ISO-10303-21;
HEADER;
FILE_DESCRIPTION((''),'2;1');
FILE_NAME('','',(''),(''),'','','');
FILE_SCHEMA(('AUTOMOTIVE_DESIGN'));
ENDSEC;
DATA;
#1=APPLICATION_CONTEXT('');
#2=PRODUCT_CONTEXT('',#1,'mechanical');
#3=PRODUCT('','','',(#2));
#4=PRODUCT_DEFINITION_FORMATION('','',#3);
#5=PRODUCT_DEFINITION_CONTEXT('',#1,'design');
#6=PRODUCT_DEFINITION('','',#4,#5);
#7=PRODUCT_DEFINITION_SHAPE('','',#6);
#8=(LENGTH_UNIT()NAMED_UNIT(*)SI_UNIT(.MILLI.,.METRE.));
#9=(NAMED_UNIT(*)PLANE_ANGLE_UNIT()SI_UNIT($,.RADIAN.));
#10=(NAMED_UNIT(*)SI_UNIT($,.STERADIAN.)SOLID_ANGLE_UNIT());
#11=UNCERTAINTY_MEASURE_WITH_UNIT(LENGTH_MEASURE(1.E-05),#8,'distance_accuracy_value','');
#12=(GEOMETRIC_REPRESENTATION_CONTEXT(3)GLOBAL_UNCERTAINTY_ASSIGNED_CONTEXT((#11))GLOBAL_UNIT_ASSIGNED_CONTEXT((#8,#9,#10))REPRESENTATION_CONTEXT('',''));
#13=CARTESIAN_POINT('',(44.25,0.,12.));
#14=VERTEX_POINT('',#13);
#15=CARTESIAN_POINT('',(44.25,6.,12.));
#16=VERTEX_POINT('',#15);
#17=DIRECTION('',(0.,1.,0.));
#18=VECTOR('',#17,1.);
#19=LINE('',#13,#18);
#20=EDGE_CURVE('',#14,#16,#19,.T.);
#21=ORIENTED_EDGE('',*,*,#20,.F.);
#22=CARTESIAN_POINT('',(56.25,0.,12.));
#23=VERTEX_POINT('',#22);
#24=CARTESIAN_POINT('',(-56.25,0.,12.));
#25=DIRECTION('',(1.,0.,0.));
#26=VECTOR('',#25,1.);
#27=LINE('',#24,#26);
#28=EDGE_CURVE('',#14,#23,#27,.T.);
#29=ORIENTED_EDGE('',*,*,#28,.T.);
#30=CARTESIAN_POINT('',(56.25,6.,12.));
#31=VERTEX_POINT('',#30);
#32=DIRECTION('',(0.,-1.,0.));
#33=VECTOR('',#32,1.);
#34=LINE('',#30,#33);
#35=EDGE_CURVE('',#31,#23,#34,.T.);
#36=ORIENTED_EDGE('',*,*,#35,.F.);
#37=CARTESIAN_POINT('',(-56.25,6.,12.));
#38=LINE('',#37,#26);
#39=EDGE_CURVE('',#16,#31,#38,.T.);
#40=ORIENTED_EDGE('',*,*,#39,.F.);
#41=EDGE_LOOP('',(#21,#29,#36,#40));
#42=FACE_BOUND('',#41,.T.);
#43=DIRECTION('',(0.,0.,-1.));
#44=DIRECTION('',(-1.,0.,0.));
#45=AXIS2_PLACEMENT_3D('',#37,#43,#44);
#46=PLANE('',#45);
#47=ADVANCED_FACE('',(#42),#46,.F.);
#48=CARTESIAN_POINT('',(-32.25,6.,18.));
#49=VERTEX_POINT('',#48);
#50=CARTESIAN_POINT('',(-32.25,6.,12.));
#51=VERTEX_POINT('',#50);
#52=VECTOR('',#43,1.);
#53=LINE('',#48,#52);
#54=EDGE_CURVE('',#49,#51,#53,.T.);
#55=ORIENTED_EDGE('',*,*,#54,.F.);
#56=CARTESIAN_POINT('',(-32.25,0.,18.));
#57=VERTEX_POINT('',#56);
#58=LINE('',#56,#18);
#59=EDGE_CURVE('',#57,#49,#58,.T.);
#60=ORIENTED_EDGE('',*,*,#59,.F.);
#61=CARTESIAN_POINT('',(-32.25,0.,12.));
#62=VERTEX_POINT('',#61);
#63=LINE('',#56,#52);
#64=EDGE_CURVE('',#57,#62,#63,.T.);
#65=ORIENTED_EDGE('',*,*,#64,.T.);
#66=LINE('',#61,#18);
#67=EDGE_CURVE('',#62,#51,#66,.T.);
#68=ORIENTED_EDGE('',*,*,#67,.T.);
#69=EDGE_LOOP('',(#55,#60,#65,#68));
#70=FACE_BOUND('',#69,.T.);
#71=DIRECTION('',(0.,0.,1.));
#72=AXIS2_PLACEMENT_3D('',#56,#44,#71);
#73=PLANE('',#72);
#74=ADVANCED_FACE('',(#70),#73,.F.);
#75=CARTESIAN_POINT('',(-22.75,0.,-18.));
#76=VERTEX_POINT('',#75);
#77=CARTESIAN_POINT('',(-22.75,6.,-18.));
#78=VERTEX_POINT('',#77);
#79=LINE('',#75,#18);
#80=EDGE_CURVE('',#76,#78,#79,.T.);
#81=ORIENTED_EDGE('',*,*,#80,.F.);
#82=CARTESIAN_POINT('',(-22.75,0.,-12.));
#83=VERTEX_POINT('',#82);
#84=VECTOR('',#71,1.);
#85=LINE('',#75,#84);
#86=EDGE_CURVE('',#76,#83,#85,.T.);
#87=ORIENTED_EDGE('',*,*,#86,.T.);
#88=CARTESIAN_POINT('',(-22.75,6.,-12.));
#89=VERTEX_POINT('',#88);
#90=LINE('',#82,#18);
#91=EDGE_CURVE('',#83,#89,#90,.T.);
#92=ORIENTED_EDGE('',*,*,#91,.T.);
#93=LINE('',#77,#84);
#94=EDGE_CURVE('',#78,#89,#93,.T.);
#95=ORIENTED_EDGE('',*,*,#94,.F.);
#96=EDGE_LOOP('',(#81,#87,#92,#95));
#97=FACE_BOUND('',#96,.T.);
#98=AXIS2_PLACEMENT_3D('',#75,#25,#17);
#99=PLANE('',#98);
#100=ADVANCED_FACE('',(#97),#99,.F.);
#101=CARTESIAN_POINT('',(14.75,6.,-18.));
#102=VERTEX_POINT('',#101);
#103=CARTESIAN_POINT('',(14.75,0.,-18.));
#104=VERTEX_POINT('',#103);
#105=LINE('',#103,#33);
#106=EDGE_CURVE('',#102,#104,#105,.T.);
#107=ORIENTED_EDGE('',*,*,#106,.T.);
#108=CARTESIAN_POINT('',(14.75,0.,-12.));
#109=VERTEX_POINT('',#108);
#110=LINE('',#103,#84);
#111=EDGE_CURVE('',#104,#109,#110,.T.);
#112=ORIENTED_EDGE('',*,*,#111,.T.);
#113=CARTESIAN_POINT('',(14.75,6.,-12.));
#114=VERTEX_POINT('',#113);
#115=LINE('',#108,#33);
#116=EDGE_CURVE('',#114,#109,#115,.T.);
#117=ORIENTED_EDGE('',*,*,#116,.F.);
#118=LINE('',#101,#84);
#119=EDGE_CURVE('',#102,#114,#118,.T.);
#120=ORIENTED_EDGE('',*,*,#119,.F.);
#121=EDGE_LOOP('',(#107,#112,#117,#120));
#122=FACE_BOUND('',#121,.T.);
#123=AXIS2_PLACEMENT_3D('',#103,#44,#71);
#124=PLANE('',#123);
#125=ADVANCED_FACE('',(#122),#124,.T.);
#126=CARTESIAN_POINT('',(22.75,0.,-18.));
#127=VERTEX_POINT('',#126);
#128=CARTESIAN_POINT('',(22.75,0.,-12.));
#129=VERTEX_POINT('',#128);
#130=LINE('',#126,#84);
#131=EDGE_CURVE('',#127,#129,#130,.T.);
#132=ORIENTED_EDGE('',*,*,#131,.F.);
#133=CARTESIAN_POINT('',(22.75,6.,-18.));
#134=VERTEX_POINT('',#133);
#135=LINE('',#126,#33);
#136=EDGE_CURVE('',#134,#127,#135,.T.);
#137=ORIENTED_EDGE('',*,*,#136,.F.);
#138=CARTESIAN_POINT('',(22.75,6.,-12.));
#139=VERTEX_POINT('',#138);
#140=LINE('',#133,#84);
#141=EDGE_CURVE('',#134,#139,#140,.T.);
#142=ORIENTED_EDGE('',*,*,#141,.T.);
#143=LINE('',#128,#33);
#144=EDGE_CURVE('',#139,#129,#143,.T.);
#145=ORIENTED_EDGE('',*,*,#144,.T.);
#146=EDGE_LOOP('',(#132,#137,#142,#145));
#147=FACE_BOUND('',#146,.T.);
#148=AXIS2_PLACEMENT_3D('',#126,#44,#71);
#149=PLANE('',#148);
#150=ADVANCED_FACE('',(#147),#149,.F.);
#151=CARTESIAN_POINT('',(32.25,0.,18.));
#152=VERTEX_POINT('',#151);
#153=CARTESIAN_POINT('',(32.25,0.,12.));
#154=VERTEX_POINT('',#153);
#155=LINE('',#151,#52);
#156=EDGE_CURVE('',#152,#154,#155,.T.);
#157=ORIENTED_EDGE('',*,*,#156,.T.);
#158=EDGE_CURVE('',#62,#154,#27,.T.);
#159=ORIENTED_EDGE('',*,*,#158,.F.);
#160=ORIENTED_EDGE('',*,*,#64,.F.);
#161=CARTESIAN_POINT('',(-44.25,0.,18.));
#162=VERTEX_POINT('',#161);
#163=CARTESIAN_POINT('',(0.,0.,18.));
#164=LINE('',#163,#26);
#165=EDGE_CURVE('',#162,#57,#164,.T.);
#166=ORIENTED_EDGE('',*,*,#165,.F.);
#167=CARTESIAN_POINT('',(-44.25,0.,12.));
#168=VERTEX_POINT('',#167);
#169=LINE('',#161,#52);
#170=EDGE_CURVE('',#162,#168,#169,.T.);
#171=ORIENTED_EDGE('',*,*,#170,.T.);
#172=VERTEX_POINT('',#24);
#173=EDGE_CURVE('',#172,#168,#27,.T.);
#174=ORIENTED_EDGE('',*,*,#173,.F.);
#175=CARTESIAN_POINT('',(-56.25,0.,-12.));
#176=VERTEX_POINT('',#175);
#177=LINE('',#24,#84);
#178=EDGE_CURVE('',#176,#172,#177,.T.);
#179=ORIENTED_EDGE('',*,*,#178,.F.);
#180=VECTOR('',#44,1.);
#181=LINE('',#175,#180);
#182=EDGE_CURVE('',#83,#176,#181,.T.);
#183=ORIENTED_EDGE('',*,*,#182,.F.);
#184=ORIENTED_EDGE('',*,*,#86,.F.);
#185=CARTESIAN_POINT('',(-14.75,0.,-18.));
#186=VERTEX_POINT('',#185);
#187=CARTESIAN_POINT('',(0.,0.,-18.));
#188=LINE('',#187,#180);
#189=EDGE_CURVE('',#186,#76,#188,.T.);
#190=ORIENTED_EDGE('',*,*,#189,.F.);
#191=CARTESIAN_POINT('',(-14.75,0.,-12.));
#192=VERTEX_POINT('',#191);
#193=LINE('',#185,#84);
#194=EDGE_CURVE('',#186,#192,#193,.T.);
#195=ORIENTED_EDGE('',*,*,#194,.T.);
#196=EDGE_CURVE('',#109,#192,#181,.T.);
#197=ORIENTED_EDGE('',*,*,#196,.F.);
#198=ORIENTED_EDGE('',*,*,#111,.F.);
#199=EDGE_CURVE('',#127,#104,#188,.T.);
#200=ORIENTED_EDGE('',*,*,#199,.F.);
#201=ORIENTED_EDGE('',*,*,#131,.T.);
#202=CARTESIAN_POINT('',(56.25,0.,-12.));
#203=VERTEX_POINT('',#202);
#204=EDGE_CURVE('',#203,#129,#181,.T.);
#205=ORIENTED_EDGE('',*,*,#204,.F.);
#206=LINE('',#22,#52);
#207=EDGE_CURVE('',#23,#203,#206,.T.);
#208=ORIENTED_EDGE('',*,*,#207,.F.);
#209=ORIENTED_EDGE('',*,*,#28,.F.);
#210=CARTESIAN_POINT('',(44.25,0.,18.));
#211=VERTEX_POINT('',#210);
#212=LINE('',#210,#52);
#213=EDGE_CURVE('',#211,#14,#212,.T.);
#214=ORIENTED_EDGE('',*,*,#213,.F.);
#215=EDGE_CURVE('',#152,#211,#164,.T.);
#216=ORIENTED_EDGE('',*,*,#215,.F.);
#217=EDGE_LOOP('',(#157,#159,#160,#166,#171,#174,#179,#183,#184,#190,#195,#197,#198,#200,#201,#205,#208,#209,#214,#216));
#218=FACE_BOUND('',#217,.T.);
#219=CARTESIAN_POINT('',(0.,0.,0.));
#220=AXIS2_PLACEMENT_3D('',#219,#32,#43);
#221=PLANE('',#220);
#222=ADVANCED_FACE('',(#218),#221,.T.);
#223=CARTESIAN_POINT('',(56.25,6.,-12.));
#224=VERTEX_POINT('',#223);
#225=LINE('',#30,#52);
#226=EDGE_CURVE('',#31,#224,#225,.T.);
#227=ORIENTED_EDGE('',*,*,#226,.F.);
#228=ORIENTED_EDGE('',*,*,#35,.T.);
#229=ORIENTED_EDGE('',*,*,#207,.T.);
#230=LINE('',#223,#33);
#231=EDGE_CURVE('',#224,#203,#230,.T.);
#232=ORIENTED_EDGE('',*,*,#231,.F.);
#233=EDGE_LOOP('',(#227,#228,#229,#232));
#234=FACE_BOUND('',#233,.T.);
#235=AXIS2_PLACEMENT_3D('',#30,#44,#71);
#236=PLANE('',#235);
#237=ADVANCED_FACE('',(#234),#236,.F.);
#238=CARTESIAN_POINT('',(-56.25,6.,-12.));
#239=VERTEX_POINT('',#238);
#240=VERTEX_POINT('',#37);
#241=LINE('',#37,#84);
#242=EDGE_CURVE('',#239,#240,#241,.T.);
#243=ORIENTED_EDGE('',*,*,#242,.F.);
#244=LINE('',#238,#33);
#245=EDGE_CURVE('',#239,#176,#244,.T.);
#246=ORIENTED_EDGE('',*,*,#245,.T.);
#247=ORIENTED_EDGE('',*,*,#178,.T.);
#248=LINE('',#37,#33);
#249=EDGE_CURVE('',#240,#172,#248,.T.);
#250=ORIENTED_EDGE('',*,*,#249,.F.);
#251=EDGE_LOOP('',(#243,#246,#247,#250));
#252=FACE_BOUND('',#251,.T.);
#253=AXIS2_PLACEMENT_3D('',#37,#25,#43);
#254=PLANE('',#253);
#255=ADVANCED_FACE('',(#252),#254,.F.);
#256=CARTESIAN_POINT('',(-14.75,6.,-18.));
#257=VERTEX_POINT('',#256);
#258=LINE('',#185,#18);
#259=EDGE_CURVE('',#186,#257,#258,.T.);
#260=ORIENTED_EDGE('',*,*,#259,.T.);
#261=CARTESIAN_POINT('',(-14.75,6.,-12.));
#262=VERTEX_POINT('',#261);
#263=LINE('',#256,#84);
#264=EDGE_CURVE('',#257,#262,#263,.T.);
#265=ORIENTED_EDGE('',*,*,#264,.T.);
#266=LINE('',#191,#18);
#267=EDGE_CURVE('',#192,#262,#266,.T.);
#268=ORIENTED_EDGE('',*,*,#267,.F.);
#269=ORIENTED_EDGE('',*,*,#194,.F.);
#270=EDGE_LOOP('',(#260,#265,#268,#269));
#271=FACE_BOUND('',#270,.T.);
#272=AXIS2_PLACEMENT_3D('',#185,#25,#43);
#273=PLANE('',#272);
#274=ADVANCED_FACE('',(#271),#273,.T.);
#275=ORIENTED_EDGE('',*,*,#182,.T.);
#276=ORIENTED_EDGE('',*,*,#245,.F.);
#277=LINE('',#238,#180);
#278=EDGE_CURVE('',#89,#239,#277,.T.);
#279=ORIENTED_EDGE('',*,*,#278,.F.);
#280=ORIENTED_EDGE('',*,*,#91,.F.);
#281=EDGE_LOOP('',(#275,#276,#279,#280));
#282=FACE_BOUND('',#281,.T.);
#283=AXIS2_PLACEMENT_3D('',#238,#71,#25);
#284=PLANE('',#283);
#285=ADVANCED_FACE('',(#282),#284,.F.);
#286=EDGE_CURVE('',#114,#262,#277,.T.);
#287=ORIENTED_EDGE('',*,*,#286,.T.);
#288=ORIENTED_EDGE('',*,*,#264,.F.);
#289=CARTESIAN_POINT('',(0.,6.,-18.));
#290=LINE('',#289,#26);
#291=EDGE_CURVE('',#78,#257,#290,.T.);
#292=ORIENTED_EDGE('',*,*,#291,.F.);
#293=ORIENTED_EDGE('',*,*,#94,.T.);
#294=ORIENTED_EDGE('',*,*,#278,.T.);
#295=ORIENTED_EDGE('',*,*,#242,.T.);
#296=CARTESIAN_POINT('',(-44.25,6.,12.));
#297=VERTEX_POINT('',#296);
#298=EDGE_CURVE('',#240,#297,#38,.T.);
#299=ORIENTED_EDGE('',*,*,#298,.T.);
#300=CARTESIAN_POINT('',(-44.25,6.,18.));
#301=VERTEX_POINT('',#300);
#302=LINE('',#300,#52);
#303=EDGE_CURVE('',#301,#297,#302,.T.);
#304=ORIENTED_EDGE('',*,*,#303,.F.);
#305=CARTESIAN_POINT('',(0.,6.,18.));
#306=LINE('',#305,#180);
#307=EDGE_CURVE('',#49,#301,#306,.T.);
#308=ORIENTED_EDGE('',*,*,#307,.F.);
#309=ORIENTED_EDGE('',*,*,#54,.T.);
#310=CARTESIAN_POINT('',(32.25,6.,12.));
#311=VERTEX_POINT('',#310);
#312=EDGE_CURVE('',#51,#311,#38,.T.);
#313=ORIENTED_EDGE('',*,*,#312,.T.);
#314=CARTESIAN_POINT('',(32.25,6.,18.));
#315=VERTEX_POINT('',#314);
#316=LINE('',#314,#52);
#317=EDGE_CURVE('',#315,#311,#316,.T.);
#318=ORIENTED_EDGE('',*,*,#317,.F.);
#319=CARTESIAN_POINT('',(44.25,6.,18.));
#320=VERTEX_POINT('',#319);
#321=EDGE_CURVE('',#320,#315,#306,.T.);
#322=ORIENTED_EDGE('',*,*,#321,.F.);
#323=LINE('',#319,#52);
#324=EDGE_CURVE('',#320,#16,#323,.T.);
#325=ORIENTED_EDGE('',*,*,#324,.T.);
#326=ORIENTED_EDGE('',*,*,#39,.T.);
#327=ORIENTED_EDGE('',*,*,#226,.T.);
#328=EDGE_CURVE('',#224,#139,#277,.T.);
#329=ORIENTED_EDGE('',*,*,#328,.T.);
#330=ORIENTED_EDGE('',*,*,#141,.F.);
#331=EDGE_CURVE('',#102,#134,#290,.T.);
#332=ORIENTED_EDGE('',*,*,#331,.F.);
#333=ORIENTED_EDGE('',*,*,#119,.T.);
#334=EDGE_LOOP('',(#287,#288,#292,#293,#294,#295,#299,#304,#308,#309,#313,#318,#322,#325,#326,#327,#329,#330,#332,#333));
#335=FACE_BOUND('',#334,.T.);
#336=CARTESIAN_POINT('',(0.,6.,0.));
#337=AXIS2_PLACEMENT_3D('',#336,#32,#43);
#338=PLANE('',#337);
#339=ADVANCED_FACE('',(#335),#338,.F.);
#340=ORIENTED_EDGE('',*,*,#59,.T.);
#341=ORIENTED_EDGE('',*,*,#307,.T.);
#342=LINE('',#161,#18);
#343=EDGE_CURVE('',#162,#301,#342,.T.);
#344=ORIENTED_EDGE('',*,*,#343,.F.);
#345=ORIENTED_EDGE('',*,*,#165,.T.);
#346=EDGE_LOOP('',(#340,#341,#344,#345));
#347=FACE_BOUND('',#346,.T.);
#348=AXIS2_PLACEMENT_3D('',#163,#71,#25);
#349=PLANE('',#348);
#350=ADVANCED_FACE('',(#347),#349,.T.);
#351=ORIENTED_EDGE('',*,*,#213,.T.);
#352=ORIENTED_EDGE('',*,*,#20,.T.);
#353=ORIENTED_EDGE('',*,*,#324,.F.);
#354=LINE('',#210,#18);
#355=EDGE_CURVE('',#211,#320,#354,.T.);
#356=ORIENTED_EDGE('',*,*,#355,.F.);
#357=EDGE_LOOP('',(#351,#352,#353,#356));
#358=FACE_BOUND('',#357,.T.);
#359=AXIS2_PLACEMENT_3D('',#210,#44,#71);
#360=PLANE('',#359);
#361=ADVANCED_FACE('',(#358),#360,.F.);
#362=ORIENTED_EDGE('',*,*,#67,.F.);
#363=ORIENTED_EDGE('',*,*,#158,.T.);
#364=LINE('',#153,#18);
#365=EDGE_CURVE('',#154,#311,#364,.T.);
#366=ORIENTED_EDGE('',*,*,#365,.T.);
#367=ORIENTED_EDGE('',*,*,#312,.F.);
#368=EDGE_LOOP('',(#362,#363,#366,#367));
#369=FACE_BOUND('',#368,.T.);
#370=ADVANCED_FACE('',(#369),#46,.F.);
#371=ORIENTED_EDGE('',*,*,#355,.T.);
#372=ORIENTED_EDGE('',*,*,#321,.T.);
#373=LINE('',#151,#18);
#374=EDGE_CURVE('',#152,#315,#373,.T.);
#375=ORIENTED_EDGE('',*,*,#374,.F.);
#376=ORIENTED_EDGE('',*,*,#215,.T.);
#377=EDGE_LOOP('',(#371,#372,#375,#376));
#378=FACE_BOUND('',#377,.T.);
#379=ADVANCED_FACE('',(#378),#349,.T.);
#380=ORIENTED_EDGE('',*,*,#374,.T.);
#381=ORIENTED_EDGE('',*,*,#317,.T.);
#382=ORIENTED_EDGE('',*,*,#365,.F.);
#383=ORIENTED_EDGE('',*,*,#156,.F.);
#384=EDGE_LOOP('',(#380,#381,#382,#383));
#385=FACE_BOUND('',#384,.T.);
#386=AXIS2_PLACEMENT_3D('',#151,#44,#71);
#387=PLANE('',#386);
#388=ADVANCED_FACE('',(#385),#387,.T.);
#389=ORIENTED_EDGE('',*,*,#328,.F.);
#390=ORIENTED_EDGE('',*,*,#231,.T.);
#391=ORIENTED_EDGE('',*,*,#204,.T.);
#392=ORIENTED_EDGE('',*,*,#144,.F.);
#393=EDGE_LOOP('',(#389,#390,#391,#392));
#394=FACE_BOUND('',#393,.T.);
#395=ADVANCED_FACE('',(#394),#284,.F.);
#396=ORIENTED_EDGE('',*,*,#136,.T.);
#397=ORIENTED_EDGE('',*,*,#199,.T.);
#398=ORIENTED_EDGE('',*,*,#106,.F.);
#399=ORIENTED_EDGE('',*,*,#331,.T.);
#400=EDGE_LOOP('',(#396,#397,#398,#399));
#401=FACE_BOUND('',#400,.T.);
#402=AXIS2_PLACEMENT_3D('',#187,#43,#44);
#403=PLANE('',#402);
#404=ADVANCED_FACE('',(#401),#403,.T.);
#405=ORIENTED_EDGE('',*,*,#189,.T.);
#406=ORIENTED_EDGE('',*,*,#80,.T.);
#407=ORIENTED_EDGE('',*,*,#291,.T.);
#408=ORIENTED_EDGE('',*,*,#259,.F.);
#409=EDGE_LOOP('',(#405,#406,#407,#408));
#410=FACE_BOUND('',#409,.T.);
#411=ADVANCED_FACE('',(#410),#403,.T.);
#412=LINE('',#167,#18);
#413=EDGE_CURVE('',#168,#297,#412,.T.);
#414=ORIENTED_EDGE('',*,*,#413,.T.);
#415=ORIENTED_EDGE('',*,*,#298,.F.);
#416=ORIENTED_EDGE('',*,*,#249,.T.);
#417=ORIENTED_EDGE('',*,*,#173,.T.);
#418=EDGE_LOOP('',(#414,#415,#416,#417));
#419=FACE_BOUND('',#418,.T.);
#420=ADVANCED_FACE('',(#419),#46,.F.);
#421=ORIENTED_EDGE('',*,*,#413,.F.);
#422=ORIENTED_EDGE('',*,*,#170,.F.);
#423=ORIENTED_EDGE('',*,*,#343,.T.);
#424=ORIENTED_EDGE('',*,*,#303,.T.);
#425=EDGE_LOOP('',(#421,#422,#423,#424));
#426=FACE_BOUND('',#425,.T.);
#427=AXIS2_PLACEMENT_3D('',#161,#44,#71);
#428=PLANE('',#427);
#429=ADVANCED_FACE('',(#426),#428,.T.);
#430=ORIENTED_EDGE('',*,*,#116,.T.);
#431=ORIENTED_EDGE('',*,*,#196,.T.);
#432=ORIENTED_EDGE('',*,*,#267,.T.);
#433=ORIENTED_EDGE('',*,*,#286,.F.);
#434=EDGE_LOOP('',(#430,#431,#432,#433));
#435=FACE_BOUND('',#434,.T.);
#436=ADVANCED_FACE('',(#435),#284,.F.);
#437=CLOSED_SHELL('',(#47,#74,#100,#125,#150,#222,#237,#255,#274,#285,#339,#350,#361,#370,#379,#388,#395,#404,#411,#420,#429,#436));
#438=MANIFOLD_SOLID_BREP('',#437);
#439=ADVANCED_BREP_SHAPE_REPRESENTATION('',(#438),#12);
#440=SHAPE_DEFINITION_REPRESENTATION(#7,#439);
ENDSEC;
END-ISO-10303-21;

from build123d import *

# Parameters (mm, degrees)
SKETCH1_W           = 112.5
SKETCH1_H           = 24
BOSS_EXTRUDE1_DEPTH = 6
SKETCH2_W           = 8
SKETCH2_H           = 6
BOSS_EXTRUDE2_DEPTH = 6
SKETCH3_W           = 12
SKETCH3_H           = 6
BOSS_EXTRUDE3_DEPTH = 6


with BuildPart() as part:
    # Sketch1 → Boss-Extrude1 (new body)
    with BuildSketch(Plane(origin=(0, 0, 0), x_dir=(1, 0, 0), z_dir=(0, 1, 0))):
        Rectangle(SKETCH1_W, SKETCH1_H)
    extrude(amount=BOSS_EXTRUDE1_DEPTH)

    # Sketch2 → Boss-Extrude2 (add)
    with BuildSketch(Plane(origin=(0, 0, -12), x_dir=(-1, 0, 0), z_dir=(0, 0, -1))):
        with Locations((-18.75, 3)):
            Rectangle(SKETCH2_W, SKETCH2_H)
        with Locations((18.75, 3)):
            Rectangle(SKETCH2_W, SKETCH2_H)
    extrude(amount=BOSS_EXTRUDE2_DEPTH)

    # Sketch3 → Boss-Extrude3 (add)
    with BuildSketch(Plane.XY.offset(12)):
        with Locations((-38.25, 3)):
            Rectangle(SKETCH3_W, SKETCH3_H)
        with Locations((38.25, 3)):
            Rectangle(SKETCH3_W, SKETCH3_H)
    extrude(amount=BOSS_EXTRUDE3_DEPTH)


solid = part.part
